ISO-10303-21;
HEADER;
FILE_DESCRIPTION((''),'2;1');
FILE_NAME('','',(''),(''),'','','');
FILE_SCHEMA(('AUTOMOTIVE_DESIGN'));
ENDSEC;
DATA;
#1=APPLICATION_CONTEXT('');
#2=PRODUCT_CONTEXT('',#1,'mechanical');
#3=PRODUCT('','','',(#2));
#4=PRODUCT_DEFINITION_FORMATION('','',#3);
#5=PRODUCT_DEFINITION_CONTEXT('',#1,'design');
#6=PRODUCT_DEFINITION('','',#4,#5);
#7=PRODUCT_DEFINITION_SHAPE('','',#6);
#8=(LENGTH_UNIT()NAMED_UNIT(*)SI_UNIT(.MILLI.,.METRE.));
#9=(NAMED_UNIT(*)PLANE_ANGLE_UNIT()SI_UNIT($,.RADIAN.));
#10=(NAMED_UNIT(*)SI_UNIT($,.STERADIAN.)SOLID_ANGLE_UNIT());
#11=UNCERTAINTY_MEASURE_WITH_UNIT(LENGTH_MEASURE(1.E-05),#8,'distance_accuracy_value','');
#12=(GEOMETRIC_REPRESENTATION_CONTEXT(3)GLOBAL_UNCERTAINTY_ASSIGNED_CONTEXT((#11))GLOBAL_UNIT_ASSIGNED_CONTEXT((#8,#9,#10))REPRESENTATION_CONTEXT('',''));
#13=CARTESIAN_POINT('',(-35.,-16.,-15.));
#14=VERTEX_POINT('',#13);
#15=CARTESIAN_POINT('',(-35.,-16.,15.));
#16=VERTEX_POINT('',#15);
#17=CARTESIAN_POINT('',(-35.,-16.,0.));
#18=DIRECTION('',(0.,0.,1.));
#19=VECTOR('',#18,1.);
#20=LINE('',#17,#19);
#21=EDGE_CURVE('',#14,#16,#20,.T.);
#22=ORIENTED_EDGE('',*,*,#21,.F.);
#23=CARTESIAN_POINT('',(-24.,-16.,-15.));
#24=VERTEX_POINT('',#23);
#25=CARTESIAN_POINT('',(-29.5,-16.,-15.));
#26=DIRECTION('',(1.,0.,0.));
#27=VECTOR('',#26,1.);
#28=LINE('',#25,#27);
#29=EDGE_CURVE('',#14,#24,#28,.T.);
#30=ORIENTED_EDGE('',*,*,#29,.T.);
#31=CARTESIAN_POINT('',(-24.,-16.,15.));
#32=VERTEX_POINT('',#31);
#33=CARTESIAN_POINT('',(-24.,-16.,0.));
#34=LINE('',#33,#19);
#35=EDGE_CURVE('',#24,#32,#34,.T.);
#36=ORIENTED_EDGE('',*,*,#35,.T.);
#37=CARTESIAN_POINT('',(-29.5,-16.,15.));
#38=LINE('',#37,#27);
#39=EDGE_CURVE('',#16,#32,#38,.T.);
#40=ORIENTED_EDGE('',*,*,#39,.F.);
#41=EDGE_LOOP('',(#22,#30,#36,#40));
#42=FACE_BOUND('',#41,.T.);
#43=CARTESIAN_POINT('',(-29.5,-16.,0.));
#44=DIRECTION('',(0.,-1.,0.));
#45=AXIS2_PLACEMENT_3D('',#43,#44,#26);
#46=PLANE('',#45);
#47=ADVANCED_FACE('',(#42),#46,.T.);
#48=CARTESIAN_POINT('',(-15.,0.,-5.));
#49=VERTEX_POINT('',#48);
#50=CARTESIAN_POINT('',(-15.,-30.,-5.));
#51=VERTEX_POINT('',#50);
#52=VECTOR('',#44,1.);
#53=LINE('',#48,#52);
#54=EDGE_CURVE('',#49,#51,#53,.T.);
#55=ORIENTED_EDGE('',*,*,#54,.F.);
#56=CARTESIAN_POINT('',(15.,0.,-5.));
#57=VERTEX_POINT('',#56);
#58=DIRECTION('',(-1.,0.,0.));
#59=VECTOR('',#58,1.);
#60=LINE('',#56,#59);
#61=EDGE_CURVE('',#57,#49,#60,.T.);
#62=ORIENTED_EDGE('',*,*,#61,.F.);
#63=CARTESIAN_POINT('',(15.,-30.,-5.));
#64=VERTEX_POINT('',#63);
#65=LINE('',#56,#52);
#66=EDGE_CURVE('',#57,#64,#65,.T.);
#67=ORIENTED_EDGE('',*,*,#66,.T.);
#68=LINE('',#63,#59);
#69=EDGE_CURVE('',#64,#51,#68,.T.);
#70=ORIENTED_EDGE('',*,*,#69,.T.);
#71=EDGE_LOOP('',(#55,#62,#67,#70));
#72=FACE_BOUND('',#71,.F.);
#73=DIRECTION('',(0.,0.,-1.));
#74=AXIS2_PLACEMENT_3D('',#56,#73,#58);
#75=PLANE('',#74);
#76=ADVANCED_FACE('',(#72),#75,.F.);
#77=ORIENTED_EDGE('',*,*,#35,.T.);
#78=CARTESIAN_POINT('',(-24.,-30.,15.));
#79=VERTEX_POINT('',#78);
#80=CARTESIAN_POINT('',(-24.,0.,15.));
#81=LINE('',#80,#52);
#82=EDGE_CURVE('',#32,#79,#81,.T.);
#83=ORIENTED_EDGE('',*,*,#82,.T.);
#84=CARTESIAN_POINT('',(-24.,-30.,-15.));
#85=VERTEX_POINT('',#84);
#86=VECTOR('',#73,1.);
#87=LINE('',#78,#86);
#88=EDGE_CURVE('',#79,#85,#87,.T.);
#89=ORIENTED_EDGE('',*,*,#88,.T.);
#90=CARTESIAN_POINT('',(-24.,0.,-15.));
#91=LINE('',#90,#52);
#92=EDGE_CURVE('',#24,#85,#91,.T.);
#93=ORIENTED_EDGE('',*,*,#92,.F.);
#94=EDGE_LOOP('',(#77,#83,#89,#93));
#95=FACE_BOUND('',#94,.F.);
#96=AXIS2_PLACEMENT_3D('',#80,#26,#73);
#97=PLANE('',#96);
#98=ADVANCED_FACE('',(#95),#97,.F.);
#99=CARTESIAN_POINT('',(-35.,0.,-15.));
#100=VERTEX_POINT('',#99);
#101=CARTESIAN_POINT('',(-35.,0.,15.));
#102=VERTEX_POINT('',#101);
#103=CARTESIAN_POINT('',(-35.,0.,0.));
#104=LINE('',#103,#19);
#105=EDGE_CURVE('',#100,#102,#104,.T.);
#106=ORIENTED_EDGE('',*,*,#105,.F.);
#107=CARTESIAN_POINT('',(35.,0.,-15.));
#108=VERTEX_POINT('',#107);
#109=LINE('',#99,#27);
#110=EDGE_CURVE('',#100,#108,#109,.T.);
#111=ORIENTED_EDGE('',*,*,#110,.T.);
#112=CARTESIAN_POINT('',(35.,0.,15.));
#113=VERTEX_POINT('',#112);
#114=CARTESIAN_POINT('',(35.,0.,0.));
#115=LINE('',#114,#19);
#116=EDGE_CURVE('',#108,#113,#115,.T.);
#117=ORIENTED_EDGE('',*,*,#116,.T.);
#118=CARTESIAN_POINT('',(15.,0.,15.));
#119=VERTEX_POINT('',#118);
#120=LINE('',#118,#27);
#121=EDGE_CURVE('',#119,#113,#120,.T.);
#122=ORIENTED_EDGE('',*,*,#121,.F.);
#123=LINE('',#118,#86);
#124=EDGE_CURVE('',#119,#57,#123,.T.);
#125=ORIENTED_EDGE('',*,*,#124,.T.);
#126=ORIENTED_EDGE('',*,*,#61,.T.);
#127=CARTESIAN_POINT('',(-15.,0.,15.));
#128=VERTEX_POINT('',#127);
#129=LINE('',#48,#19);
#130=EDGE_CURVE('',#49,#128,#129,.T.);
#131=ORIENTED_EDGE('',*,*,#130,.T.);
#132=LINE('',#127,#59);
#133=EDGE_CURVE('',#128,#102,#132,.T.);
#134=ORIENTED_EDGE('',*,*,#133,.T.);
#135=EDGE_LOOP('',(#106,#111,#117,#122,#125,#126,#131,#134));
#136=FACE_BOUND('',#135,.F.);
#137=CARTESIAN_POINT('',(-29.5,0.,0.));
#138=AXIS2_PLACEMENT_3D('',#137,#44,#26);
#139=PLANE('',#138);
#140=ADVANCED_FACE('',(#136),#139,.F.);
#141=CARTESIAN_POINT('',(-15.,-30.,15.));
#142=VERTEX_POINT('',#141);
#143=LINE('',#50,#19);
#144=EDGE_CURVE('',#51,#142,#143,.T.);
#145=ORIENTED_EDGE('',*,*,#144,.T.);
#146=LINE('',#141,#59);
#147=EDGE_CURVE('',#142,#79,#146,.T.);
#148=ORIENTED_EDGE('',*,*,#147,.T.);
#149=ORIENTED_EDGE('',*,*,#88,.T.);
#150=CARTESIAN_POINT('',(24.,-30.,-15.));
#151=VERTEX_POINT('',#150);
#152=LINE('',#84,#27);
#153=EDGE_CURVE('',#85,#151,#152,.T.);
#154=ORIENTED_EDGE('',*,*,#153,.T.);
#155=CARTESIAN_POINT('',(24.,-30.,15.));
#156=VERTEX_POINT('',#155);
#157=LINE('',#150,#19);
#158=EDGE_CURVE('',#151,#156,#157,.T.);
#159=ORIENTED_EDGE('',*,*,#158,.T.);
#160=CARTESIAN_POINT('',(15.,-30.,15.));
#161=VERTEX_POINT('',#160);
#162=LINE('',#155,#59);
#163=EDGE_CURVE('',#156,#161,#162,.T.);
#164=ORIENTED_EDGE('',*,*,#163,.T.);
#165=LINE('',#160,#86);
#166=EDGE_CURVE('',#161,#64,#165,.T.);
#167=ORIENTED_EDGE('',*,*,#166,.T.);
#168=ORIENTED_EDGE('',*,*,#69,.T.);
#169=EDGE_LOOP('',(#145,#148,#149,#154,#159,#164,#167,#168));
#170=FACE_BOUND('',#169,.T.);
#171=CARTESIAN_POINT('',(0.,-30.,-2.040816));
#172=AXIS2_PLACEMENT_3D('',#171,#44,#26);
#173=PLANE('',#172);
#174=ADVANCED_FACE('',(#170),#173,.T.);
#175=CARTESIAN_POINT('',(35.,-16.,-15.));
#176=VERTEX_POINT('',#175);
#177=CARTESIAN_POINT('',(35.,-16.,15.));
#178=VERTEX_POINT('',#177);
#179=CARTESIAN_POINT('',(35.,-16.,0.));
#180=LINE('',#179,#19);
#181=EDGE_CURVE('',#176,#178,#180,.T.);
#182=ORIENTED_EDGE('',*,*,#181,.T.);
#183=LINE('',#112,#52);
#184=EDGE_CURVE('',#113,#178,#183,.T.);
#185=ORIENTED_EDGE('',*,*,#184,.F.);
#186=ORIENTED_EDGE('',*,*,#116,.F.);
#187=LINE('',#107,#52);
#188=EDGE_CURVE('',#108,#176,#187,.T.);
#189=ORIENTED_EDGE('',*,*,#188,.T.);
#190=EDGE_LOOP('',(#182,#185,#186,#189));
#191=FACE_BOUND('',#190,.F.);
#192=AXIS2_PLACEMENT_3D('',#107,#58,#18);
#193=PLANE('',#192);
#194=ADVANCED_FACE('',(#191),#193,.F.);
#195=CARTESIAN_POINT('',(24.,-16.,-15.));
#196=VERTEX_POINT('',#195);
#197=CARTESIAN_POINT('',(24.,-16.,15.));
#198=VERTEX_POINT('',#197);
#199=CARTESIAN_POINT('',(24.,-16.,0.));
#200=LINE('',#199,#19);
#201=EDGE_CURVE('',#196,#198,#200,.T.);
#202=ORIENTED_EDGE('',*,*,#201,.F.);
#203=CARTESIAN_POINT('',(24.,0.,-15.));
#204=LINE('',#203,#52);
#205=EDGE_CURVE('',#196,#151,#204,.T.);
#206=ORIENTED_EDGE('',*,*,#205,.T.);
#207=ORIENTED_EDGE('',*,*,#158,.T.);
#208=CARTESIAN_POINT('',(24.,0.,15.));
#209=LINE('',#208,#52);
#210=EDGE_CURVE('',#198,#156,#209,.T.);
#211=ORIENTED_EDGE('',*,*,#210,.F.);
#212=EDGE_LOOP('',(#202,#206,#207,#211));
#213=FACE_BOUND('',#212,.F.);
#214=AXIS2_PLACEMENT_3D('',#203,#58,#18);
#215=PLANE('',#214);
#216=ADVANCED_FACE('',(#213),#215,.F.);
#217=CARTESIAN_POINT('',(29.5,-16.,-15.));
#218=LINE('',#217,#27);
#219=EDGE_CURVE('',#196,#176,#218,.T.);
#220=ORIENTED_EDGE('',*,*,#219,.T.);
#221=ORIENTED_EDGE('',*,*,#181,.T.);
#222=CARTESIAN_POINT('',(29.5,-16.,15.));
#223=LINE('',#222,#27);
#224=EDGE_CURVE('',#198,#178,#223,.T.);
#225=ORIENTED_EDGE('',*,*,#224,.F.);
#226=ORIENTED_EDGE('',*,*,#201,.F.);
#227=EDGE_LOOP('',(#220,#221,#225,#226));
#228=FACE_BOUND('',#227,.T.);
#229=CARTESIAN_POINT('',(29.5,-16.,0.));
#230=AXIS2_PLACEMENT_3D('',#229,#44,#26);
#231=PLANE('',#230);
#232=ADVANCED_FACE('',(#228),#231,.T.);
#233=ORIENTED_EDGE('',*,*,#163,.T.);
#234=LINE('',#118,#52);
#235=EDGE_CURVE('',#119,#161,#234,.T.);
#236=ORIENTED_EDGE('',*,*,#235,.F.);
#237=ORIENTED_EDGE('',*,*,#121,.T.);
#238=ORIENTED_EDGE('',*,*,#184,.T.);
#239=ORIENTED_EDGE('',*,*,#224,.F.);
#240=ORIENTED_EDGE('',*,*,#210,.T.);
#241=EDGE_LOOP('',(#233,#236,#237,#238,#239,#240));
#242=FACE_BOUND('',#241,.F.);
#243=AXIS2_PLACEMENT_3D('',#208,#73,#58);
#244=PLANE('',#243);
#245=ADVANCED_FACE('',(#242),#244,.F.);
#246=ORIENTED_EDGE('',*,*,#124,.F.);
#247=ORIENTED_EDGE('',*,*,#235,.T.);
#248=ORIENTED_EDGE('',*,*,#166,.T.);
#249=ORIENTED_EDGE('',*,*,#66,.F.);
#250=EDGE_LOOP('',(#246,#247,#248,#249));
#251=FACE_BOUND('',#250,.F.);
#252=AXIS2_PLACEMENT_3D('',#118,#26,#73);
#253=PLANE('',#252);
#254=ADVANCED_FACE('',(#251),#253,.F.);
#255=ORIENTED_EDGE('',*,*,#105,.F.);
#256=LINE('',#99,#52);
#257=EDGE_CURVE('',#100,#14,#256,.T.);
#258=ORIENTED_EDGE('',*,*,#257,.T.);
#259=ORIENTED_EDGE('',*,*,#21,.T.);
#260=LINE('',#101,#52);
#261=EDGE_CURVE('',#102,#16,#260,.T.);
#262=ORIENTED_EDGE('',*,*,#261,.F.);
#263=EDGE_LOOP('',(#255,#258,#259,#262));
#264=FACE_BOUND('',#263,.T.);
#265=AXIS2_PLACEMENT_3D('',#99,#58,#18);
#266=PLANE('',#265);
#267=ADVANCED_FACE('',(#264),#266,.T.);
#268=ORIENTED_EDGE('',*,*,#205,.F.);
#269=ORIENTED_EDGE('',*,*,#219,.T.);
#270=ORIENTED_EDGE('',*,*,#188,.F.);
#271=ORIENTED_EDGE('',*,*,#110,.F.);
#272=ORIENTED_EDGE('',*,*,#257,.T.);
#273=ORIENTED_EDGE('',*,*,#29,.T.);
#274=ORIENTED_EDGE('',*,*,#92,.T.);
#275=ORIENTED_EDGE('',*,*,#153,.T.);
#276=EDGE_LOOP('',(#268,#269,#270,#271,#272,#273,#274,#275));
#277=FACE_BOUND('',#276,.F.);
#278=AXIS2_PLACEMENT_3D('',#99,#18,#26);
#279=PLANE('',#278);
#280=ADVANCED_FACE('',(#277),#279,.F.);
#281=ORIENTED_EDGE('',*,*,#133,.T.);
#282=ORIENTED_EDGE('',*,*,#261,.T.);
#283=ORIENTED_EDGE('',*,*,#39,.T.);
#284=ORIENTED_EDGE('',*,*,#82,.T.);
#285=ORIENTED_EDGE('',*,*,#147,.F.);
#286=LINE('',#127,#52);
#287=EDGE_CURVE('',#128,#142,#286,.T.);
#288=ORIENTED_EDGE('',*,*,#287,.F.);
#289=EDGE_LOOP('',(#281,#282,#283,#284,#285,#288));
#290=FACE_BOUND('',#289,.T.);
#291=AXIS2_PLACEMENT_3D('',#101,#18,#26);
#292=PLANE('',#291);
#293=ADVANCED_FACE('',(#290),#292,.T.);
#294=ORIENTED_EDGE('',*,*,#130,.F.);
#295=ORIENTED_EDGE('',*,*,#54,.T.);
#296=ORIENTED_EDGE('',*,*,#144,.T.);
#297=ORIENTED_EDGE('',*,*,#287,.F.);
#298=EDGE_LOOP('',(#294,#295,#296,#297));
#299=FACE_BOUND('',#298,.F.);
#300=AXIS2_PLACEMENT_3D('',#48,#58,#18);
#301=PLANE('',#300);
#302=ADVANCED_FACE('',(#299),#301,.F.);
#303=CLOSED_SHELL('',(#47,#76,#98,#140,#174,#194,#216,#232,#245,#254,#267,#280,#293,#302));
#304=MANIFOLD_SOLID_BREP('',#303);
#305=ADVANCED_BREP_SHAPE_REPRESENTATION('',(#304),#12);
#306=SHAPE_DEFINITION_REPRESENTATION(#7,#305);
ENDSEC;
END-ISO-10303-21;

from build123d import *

# Parameters (mm, degrees)
F1_DEPTH = 30
F0_W     = 11
F0_H     = 30
F2_DEPTH = 16


with BuildPart() as f1:
    # F0 (on Front) → F1 (new body)
    with BuildSketch(Plane.XZ):
        Polygon((-24, 15), (-24, -15), (24, -15), (24, 15), (15, 15), (15, -5), (-15, -5), (-15, 15), align=None)
    extrude(amount=F1_DEPTH)

    # F0 (on Front) → F2 (join)
    with BuildSketch(Plane.XZ):
        with Locations((-29.5, 0)):
            Rectangle(F0_W, F0_H)
        with Locations((29.5, 0)):
            Rectangle(F0_W, F0_H)
    extrude(amount=F2_DEPTH)


solid = f1.part
